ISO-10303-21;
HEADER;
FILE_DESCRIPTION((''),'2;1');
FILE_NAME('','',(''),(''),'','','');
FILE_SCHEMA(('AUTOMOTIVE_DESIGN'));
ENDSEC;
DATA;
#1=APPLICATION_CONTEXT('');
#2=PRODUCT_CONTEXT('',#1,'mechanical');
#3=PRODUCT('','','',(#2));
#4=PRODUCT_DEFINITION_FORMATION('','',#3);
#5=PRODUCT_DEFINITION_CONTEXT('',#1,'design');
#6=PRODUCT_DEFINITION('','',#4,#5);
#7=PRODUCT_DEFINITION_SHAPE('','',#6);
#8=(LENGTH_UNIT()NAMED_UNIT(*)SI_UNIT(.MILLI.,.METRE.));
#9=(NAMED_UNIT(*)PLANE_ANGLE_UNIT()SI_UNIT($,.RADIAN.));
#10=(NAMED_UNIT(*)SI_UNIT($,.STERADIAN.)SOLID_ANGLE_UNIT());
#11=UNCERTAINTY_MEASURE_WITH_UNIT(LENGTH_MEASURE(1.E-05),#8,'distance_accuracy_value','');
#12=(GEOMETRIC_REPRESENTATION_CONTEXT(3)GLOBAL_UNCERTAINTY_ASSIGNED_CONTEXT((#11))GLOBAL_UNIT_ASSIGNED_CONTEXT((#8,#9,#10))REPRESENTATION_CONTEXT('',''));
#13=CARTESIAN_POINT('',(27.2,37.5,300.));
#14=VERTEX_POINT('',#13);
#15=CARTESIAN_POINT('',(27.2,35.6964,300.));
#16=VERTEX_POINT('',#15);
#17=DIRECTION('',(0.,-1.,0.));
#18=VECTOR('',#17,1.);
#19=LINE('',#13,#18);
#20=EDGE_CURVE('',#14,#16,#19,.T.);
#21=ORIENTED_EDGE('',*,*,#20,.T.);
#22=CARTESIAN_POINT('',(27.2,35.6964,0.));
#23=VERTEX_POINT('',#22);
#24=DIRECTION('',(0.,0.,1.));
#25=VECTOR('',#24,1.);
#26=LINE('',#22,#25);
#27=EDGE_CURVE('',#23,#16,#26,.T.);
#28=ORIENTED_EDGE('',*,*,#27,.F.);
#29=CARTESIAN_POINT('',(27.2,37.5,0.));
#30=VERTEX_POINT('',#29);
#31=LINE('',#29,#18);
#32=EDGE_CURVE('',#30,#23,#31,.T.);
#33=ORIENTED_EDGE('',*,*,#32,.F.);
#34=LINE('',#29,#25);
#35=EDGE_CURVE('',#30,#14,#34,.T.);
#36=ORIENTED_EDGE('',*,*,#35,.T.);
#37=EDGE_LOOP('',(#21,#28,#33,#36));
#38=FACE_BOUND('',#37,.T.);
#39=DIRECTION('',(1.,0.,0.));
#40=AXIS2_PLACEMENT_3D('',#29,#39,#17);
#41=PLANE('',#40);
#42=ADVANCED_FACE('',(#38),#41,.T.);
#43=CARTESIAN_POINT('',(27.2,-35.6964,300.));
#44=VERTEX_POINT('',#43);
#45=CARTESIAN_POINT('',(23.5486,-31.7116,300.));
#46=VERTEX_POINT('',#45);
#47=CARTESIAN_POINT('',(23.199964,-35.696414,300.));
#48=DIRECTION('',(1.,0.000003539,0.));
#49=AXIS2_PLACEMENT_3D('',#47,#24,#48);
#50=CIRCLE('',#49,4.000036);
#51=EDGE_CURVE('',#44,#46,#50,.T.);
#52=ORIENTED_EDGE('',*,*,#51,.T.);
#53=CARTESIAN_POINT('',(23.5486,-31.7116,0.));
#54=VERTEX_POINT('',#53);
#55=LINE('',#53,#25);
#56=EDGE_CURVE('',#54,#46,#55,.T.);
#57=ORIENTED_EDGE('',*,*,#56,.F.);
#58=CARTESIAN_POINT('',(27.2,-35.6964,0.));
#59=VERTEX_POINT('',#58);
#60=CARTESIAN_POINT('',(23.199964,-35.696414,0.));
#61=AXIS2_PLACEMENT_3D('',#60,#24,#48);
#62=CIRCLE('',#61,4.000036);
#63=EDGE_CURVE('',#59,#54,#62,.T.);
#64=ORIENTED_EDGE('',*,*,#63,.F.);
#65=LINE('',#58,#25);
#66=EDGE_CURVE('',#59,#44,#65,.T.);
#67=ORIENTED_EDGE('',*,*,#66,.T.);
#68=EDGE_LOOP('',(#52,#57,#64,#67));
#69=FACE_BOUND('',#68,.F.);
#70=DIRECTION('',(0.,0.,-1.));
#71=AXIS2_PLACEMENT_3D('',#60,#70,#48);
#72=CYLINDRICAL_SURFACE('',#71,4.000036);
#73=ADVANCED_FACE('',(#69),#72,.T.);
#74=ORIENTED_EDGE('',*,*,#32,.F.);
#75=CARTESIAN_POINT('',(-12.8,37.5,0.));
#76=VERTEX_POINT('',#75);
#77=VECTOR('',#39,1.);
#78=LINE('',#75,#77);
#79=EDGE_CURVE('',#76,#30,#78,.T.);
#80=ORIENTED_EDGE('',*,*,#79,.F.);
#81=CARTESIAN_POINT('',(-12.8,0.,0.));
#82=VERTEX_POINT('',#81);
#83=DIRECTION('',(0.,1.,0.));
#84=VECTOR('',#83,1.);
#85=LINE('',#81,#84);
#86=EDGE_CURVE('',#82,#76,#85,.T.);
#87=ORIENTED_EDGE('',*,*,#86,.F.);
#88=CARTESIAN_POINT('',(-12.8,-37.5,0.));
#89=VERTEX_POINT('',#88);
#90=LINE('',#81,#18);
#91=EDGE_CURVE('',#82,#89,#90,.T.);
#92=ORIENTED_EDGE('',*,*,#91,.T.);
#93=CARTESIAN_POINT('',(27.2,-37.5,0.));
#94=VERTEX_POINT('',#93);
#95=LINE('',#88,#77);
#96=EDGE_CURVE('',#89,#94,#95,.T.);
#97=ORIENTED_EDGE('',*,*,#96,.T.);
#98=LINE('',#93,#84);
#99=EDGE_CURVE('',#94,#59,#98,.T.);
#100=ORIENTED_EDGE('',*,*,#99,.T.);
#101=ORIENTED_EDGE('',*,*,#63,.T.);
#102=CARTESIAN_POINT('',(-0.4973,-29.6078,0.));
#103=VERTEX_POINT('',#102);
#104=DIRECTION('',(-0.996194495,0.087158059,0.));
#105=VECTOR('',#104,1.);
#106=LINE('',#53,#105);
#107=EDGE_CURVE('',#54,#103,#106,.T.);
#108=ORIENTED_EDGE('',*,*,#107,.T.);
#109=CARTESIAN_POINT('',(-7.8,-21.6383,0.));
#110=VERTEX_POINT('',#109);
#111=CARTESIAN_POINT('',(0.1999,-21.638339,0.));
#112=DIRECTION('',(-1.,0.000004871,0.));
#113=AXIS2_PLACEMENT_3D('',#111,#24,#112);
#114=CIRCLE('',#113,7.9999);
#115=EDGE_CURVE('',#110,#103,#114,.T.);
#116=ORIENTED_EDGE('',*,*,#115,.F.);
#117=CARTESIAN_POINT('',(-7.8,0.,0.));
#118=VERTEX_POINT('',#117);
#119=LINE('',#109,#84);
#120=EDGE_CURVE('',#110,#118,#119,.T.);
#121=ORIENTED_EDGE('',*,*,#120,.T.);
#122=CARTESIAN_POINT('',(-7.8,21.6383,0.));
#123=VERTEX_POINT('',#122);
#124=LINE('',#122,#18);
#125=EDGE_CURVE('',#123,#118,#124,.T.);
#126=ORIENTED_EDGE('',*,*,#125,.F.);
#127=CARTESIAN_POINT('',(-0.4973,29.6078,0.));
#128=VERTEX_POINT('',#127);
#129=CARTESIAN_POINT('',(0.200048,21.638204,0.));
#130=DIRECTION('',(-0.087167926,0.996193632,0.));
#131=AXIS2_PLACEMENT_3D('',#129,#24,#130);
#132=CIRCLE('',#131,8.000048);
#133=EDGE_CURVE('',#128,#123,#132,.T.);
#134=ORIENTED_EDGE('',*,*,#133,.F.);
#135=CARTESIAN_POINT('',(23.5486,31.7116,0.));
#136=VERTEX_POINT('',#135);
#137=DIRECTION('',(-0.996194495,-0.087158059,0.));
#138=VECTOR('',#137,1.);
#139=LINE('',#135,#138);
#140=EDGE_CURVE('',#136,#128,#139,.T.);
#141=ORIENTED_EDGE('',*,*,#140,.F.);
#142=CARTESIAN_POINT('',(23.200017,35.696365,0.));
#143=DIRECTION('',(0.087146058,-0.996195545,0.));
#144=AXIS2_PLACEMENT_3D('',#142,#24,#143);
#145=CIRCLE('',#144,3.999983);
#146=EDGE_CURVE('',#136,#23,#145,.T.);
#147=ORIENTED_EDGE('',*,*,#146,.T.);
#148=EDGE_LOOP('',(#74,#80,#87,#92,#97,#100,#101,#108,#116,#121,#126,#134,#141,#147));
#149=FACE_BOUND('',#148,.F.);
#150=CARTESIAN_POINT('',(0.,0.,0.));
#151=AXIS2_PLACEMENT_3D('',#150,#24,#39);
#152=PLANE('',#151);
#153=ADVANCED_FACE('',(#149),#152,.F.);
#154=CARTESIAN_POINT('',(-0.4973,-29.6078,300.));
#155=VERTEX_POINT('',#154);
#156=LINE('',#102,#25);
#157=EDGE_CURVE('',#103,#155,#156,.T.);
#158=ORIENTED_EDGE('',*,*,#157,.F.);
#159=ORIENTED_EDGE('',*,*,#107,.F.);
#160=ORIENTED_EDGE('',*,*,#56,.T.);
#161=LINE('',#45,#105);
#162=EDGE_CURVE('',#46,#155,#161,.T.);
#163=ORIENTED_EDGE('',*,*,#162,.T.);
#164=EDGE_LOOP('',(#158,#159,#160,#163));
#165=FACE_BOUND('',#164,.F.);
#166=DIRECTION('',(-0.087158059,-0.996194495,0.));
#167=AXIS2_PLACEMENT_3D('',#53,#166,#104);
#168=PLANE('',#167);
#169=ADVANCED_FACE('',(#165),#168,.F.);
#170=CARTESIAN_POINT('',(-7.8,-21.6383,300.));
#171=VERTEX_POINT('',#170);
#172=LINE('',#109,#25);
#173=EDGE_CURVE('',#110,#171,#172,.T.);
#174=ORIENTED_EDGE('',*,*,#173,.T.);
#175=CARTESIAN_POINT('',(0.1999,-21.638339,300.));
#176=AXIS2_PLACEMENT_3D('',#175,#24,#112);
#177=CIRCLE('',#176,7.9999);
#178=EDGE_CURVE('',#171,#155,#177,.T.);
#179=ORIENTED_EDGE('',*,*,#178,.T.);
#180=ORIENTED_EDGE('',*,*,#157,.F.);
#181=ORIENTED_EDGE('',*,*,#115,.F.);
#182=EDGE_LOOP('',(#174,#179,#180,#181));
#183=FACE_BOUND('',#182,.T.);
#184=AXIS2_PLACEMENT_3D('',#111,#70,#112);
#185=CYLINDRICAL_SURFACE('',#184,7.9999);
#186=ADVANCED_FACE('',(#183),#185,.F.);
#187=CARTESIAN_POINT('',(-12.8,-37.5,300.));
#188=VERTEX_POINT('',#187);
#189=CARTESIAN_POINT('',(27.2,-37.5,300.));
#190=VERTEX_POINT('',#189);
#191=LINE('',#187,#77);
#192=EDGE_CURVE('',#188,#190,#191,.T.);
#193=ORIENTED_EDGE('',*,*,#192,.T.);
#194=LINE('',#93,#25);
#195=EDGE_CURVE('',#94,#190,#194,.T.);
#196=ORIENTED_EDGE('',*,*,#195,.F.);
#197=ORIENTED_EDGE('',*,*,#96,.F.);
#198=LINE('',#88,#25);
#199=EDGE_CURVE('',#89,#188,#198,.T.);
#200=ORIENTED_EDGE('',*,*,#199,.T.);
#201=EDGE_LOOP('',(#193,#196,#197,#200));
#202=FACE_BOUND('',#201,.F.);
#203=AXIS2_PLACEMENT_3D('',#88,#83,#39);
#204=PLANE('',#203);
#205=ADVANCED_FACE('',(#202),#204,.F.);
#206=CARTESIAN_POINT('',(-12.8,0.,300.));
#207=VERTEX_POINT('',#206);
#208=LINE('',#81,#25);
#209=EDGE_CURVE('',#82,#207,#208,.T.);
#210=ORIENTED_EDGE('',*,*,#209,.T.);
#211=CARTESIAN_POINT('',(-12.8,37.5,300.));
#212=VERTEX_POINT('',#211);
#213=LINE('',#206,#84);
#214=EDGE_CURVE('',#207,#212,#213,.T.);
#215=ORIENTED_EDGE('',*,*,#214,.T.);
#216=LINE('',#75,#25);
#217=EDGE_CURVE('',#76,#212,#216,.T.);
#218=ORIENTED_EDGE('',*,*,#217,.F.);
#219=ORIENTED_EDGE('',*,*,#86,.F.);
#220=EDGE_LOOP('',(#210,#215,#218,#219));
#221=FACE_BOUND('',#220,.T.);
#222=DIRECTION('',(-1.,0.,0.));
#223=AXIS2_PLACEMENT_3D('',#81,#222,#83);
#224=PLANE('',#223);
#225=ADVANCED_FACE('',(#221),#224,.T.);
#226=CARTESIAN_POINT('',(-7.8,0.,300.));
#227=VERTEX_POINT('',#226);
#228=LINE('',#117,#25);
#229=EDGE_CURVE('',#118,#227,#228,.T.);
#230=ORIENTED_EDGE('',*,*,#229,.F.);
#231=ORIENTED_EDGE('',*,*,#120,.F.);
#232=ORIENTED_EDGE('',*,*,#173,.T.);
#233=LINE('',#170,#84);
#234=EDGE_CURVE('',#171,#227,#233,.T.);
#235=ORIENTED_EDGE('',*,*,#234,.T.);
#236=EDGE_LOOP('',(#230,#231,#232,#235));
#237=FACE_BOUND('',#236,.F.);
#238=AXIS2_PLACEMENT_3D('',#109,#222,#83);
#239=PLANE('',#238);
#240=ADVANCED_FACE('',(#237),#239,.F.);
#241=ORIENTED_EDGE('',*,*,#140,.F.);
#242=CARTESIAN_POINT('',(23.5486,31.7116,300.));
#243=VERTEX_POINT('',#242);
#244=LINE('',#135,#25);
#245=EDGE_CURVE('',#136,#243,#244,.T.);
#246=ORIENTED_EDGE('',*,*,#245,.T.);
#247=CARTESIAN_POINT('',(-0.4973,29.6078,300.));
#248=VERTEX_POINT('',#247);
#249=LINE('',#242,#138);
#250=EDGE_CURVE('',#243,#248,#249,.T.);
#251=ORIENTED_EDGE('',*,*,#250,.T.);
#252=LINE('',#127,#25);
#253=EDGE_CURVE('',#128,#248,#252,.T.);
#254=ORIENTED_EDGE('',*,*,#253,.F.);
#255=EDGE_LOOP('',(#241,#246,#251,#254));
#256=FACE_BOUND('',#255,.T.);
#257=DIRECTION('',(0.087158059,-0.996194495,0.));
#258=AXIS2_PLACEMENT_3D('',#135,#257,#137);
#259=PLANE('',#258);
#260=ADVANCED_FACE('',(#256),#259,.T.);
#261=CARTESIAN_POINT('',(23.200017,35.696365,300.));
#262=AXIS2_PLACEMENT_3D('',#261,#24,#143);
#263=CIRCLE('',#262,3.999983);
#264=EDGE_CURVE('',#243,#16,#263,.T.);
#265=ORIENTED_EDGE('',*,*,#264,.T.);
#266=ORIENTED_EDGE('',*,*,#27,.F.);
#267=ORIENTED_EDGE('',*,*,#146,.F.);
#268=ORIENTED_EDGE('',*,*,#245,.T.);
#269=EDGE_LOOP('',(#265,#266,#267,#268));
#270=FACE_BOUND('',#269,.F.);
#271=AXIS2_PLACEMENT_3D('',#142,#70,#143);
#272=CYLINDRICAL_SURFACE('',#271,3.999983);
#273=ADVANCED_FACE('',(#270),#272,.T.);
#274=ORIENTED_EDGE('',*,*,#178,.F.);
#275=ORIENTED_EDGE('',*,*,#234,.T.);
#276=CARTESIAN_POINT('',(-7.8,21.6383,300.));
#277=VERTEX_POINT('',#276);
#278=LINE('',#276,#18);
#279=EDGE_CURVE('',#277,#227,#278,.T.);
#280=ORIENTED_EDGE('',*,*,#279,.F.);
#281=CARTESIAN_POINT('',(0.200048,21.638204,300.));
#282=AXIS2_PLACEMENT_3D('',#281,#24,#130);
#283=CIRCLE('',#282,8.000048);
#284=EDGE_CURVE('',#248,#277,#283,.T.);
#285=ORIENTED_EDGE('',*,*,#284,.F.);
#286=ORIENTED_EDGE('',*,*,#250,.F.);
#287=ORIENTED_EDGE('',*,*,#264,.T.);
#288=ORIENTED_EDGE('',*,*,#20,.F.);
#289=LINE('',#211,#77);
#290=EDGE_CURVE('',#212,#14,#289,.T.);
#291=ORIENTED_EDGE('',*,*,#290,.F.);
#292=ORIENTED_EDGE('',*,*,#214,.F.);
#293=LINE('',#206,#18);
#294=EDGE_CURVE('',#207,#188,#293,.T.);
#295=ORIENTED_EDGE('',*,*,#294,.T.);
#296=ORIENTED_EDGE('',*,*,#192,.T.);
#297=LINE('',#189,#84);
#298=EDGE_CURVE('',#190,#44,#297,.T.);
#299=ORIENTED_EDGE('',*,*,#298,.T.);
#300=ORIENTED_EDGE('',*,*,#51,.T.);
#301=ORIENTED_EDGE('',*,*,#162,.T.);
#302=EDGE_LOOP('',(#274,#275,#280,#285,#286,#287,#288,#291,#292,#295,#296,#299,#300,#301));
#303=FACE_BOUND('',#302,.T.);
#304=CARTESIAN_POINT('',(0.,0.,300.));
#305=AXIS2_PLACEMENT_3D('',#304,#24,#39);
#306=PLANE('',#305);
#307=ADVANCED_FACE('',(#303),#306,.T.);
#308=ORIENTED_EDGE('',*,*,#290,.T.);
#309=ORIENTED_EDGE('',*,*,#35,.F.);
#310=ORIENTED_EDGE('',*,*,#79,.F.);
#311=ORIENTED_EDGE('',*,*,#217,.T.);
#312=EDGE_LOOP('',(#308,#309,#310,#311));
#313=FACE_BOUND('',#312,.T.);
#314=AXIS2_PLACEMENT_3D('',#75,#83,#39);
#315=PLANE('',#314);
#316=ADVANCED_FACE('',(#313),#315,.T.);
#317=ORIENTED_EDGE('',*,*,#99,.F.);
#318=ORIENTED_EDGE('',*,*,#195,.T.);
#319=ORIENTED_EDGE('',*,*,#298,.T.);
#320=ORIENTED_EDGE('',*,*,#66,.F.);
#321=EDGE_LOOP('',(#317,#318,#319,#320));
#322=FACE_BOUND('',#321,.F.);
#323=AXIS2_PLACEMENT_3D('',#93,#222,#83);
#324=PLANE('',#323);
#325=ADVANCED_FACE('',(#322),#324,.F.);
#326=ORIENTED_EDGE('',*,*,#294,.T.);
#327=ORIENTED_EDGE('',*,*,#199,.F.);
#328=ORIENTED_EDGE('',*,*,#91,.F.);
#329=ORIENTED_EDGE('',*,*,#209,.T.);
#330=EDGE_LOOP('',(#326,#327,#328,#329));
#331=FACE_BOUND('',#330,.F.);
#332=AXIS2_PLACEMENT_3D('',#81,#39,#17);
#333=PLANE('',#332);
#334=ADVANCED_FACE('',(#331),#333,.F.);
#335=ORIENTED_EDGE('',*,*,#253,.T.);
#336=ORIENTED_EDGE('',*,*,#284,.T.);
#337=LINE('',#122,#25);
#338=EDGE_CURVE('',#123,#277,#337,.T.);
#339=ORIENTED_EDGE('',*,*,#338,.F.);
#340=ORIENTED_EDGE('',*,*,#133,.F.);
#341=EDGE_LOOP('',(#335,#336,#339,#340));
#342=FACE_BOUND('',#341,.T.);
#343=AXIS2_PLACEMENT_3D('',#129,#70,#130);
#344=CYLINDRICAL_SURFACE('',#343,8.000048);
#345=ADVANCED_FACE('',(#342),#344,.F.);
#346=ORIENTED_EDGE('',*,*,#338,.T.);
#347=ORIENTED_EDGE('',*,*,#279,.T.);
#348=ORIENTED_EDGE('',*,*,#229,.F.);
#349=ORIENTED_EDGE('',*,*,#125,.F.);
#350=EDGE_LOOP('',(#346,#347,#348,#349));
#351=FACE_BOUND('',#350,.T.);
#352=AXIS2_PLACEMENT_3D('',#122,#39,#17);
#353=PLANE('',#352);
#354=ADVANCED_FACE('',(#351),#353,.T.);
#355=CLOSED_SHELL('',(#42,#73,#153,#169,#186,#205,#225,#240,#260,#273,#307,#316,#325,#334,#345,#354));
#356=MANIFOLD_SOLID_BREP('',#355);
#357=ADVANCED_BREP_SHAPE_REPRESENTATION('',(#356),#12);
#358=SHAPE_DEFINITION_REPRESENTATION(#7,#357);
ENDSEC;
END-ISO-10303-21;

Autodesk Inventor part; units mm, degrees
ref_plane "YZ Plane" through (0, 0, 0) normal (1, 0, 0) x (0, 1, 0)
ref_plane "開始平面" through (0, 0, 0) normal (0, 0, 1) x (1, 0, 0)
ref_plane "終了平面" through (0, 0, 300) normal (0, 0, 1) x (1, 0, 0)
sketch "スケッチ" plane through (0, 0, 0) normal (0, 0, 1) x (1, 0, 0)
  line L0 (-12.8, 0) -> (-12.8, 37.5)
  line L1 (-12.8, 37.5) -> (27.2, 37.5)
  line L2 (27.2, 37.5) -> (27.2, 35.6964)
  line L3 (23.5486, 31.7116) -> (-0.4973, 29.6078)
  line L4 (-7.8, 21.6383) -> (-7.8, 0)
  line L5 (-7.8, 0) -> (-12.8, 0) construction
  line L6 (9.7, 37.5) -> (9.7, 30.5) construction
  line L7 (27.2, 32.0311) -> (27.2, 30.5) construction
  line L8 (27.2, 30.5) -> (9.7, 30.5) construction
  line L9 (0, 15) -> (0, -27) construction
  line L10 (-5.539, 0) -> (16.0067, 0) construction
  line L11 (-12.8, 0) -> (-12.8, -37.5)
  line L12 (-12.8, -37.5) -> (27.2, -37.5)
  line L13 (27.2, -37.5) -> (27.2, -35.6964)
  line L14 (23.5486, -31.7116) -> (-0.4973, -29.6078)
  line L15 (-7.8, -21.6383) -> (-7.8, 0)
  arc A0 (-0.4973, 29.6078) -> (-7.8, 21.6383) centre (0.2, 21.6383) ccw
  arc A1 (-7.8, -21.6383) -> (-0.4973, -29.6078) centre (0.2, -21.6383) ccw
  arc A2 (23.5486, 31.7116) -> (27.2, 35.6964) centre (23.2, 35.6964) ccw
  arc A3 (27.2, -35.6964) -> (23.5486, -31.7116) centre (23.2, -35.6964) ccw
  line L16 (0, 52.5) -> (0, -52.5) construction
  line L17 (-20.955, 0) -> (36.1298, 0) construction
  point P0 (-7.8, 28.9689)
  point P1 (27.2, -32.0311)
  point P2 (-7.8, -28.9689)
  point P3 (9.7, -37.5)
  point P4 (9.7, -30.5)
  dimension "d0" = 5
  dimension "d1" = 37.5
  dimension "d2" = 40
  dimension "d3" = 7
  dimension "d4" = 17.5
  dimension "d5" = 1.5311
  dimension "d23" = 8
  dimension "d24" = 4
  dimension "d25" = 12.8
extrude "ボディ" add sketch "スケッチ" along normal up to surface (300 mm away) from surface at 0
sketch "Sketch3" plane through (0, 0, 0) normal (0, 0, 1) x (1, 0, 0)
  line L0 (0, 0) -> (10, 0)
ref_plane "Work Plane3" through (0, 0, 0) normal (0, -1, 0) x (1, 0, 0)
sketch "Sketch4" plane through (0, 0, 0) normal (0, -1, 0) x (1, 0, 0)
  line L0 (-2, 0) -> (12, 0)
  line L1 (-2, 300) -> (12, 300)
  dimension "d29" = 300
equation "\"d0\" = G_T"
equation "\"d1\" = 0.5 * G_H"
equation "\"d2\" = G_W"
equation "\"d3\" = G_T1"
equation "\"d4\" = G_C"
equation "\"d23\" = G_IR"
equation "\"d24\" = G_ER"
equation "\"d25\" = ey"
equation "\"d6\" = G_L"
equation "\"G_W\" = 40"
equation "\"G_H\" = 75"
equation "\"G_T\" = 5"
equation "\"G_T1\" = 7"
equation "\"G_NG\" = 0.08749"
equation "\"G_ER\" = 4"
equation "\"G_IR\" = 8"
equation "\"G_C\" = 17.5"
equation "\"G_L\" = d29"
equation "\"ey\" = 12.8"
equation "\"G_OFFSET_START\" = 0"
equation "\"G_OFFSET_END\" = 0"
properties part number "JIS G 3192 - 75 x 40 x 5 - 300" material "SS400"
